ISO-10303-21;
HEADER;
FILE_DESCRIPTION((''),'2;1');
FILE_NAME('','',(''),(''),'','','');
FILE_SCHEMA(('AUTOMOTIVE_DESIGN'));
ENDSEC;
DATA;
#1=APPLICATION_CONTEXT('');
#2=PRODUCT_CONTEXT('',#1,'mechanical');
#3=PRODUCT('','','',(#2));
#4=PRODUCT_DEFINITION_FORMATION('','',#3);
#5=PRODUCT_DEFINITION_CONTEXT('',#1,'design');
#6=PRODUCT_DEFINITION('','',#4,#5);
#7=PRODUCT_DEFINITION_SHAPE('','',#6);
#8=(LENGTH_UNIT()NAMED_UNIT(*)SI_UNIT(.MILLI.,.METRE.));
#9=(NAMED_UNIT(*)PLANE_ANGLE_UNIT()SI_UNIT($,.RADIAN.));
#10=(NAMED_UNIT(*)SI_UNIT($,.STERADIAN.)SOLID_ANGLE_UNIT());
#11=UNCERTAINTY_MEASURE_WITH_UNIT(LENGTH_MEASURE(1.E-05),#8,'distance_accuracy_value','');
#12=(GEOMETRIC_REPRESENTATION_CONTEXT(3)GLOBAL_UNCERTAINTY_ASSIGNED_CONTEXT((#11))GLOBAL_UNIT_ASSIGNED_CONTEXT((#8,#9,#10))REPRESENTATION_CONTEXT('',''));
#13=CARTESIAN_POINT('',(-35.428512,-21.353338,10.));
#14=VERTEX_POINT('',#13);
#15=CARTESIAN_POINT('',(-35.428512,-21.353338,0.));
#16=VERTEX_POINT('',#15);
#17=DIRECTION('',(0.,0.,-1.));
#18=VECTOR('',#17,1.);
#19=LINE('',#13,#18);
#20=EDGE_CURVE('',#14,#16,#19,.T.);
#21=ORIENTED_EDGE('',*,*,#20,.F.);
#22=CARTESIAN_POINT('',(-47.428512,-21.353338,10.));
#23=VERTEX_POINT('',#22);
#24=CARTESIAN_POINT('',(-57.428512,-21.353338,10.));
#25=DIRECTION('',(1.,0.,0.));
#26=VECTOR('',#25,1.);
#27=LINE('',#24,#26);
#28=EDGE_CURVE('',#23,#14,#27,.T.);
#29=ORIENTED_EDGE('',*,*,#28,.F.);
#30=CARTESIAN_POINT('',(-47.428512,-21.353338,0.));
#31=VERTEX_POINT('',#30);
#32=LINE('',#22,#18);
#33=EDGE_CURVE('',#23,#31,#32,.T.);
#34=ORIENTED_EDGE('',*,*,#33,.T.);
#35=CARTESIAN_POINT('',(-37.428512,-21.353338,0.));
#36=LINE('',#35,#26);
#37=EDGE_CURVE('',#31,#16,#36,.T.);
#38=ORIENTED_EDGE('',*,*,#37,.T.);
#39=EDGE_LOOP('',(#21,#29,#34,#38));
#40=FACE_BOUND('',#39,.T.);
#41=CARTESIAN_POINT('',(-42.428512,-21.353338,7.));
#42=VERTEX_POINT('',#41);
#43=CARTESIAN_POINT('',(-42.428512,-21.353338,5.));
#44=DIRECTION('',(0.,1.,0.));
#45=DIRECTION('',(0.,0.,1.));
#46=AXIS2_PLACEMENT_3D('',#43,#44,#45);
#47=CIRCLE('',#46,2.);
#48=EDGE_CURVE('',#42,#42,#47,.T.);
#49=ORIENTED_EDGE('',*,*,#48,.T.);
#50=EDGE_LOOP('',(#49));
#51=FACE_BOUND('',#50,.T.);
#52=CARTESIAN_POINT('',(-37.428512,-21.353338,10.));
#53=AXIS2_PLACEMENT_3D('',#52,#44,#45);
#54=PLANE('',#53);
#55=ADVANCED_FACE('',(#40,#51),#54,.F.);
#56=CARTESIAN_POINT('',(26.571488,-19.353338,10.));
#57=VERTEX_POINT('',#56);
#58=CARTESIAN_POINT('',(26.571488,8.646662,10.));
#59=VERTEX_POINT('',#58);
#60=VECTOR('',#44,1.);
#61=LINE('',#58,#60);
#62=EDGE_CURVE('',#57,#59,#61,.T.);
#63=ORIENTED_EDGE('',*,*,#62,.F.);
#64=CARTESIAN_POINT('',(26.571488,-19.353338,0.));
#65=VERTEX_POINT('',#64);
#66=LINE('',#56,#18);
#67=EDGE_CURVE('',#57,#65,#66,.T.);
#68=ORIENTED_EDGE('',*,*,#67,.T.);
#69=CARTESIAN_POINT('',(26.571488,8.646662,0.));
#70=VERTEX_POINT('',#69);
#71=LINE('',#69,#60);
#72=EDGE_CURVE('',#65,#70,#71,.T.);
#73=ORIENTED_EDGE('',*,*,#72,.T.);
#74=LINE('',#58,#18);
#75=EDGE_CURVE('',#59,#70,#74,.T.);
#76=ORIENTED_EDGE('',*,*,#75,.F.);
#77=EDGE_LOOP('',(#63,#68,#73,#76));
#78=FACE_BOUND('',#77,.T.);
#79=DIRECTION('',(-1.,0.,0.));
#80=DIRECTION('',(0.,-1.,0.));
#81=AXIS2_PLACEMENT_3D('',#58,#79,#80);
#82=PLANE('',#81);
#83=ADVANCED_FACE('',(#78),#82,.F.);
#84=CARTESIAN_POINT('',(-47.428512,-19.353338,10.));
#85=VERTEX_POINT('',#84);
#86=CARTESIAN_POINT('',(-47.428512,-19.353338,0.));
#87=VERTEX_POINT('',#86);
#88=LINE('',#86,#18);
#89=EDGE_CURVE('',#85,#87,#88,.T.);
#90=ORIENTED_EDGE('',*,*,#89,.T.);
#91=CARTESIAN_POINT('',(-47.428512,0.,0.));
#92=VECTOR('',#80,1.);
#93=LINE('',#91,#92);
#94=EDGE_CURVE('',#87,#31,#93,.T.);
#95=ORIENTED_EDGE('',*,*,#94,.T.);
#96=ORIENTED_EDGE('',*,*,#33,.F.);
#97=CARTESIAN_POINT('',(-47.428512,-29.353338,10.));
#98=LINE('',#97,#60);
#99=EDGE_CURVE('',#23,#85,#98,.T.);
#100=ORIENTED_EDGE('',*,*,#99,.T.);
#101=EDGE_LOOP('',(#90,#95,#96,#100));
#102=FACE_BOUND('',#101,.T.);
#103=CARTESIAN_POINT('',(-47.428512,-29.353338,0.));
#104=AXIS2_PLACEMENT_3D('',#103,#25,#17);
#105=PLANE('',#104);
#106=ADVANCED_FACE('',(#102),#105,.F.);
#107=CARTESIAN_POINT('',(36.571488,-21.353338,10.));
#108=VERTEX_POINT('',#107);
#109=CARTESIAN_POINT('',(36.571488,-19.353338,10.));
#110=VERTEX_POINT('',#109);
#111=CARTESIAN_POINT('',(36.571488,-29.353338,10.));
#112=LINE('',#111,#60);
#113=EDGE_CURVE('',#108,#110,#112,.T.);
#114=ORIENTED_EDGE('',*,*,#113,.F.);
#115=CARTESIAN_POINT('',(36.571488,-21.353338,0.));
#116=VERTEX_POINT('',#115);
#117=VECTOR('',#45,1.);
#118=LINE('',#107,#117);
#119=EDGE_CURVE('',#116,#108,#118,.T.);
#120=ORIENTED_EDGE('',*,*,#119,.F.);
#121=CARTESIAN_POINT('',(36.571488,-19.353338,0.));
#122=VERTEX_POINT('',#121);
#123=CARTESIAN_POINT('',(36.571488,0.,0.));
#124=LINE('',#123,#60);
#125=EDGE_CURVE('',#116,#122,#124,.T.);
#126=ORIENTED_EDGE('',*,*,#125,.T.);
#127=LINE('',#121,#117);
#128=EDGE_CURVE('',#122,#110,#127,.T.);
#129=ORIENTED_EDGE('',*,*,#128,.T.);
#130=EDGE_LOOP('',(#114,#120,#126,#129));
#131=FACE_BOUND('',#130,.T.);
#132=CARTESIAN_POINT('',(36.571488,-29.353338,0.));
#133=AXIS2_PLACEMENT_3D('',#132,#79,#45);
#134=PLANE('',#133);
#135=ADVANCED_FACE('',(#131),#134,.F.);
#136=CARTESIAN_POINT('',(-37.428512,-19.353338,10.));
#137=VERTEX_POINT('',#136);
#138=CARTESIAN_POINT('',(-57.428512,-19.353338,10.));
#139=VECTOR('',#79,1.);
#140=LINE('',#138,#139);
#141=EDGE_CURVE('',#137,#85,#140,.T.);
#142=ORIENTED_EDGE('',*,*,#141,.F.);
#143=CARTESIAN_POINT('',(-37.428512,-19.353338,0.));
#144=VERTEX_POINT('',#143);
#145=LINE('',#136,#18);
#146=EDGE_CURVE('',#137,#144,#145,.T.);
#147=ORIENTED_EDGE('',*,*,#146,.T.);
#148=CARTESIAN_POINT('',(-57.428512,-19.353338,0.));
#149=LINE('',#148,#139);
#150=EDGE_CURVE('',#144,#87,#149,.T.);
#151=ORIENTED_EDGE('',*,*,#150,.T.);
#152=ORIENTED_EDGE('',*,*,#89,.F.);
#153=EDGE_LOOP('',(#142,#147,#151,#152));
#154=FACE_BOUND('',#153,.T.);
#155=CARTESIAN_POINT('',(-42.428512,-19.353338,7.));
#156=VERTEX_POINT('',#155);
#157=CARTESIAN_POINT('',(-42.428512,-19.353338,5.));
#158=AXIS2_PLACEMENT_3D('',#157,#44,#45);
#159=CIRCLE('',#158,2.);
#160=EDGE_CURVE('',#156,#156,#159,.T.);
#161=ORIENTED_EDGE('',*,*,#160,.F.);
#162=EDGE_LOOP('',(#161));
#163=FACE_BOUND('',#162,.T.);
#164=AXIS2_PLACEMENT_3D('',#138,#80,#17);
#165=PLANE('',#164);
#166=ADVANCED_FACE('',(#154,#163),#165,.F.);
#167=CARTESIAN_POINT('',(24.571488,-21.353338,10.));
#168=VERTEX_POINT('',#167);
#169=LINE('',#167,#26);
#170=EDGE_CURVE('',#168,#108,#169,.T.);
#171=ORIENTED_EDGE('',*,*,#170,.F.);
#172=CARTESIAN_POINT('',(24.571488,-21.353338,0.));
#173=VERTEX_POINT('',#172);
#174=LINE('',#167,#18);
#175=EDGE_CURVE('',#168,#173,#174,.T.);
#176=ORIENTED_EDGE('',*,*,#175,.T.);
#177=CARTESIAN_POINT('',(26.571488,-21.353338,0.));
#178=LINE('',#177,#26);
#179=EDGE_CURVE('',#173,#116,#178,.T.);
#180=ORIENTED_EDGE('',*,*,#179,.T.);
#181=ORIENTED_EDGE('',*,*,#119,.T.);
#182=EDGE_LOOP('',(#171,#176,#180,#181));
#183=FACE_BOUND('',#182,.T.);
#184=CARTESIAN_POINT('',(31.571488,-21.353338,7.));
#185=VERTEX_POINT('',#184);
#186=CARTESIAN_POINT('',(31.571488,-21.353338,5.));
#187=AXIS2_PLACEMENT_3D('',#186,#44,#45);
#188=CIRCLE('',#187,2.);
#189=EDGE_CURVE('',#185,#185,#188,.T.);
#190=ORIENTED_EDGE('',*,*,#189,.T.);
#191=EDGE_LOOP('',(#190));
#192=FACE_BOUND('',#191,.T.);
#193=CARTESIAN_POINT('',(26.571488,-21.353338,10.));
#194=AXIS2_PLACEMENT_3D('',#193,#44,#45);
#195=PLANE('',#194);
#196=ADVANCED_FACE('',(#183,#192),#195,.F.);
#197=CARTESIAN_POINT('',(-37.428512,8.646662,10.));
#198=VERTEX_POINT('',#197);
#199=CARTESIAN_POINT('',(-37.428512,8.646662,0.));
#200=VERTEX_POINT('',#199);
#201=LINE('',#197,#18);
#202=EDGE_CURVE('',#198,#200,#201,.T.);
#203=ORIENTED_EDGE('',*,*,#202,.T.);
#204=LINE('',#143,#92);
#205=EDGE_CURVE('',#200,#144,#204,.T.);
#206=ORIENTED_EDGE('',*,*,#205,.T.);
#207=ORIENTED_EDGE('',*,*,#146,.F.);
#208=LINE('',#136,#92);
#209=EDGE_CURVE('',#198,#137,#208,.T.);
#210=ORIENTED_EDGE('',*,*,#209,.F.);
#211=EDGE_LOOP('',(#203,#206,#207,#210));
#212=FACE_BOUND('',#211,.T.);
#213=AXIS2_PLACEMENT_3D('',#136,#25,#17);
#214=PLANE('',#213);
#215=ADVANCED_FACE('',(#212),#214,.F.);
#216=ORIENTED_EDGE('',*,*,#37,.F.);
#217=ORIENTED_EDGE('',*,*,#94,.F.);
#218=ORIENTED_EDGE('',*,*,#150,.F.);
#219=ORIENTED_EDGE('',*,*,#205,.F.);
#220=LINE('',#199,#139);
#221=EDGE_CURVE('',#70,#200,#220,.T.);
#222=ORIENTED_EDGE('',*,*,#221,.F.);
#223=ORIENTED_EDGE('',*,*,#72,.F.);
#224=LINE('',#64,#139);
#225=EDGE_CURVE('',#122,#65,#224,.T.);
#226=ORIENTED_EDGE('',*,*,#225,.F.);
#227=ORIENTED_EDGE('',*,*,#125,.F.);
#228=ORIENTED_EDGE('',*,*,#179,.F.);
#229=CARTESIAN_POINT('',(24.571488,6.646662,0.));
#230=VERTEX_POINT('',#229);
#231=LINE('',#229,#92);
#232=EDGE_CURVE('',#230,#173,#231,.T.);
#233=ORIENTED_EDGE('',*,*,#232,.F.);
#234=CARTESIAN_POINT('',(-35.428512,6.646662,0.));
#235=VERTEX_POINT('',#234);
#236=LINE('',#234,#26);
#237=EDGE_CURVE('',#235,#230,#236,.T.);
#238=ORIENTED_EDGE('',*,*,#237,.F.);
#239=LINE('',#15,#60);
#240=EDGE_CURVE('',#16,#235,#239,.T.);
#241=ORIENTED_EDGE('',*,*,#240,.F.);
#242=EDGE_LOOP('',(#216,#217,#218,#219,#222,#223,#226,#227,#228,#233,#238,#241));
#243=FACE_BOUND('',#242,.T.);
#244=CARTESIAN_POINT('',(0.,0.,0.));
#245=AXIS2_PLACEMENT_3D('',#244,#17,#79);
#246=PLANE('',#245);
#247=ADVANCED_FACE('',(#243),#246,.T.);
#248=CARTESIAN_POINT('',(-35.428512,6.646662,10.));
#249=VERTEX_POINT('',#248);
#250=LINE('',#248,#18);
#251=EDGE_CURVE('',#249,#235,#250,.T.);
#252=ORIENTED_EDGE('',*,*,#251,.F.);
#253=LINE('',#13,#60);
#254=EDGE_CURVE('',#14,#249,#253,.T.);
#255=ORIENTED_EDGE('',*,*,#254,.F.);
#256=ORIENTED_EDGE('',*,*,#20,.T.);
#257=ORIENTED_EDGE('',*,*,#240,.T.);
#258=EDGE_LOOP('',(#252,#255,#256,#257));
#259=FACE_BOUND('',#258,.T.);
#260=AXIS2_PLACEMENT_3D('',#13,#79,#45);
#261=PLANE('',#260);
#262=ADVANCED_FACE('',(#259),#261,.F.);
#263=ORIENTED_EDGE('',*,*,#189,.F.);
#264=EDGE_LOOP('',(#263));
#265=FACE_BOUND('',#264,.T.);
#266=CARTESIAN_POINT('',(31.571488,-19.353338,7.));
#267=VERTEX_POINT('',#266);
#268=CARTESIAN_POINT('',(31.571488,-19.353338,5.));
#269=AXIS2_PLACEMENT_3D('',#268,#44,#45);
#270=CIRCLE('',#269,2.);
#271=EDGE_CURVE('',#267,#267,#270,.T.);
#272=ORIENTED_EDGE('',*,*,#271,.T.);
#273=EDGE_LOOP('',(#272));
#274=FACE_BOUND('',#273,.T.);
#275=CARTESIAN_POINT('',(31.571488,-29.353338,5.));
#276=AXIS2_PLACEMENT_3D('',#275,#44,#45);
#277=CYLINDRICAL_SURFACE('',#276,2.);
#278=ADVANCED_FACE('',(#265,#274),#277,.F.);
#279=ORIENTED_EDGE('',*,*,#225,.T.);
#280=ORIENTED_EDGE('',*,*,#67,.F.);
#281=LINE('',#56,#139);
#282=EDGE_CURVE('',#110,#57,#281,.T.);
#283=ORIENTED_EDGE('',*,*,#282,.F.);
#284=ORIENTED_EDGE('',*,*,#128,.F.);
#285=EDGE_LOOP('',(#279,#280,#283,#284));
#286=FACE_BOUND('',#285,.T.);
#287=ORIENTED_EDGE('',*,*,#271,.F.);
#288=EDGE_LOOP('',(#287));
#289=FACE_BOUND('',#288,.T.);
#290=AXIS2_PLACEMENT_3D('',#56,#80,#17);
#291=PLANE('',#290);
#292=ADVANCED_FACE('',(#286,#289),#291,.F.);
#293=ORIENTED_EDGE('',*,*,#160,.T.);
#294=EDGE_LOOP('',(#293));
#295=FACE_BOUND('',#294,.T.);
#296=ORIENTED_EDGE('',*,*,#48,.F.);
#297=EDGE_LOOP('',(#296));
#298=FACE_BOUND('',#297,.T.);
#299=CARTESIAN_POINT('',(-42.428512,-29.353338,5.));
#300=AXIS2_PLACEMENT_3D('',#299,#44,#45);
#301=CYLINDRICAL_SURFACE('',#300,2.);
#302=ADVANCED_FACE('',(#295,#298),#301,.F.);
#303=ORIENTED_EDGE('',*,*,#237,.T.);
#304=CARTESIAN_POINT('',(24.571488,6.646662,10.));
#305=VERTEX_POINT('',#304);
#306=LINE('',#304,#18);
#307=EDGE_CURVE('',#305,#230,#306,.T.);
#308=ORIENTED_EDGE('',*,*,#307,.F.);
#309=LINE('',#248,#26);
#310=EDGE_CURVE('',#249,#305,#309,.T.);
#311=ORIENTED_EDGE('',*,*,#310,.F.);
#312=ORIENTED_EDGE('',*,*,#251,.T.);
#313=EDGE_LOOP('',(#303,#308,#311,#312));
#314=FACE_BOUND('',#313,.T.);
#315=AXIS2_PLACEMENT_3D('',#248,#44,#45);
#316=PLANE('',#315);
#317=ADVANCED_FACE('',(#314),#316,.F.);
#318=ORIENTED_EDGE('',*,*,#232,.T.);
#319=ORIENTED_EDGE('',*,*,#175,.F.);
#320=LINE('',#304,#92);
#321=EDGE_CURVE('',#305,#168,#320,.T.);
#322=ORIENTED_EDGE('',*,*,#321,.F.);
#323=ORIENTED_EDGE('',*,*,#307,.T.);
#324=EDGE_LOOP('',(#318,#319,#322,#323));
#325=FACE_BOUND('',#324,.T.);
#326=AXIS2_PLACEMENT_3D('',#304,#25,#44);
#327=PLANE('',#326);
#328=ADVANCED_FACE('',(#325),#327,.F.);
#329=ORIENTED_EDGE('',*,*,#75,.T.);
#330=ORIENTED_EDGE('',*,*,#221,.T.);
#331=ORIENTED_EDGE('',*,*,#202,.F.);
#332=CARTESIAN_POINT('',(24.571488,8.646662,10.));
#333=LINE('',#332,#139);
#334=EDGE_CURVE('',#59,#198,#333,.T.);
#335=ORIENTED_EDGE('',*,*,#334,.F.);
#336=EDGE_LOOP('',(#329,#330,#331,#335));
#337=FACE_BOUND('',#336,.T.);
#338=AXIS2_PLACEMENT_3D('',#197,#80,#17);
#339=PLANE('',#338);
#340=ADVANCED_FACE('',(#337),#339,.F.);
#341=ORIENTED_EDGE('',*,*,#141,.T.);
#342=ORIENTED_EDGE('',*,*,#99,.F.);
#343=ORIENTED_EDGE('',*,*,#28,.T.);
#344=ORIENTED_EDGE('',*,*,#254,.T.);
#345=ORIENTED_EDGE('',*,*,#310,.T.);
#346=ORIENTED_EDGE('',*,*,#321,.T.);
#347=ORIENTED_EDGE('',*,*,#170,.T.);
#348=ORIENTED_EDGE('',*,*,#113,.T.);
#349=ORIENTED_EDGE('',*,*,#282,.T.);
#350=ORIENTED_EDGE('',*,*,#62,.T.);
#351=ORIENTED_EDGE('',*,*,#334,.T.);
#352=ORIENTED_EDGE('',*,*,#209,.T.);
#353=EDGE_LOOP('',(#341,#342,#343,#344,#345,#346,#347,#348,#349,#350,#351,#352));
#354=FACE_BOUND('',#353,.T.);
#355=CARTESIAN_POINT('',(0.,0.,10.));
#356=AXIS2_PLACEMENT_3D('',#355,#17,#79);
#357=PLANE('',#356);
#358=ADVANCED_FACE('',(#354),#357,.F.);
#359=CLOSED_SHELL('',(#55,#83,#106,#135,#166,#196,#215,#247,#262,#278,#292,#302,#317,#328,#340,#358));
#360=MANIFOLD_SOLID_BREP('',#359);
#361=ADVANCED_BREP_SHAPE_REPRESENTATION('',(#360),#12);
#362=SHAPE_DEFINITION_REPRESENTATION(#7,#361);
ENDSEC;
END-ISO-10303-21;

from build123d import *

# Parameters (mm, degrees)
BOSS_EXTRUDE1_DEPTH = 10
SKETCH2_R           = 2
CUT_EXTRUDE2_DEPTH  = 10
SKETCH3_W           = 10
SKETCH3_H           = 10
CUT_EXTRUDE3_DEPTH  = 10


with BuildPart() as part:
    # Sketch1 → Boss-Extrude1 (new body)
    with BuildSketch(Plane.XY):
        Polygon((-57.4285121, -21.353337692), (-37.4285121, -21.353337692), (-35.4285121, -21.353337692), (-35.4285121, 6.646662308), (24.5714879, 6.646662308), (24.5714879, -21.353337692), (26.5714879, -21.353337692), (46.5714879, -21.353337692), (46.5714879, -19.353337692), (26.5714879, -19.353337692), (26.5714879, 8.646662308), (24.5714879, 8.646662308), (-35.4285121, 8.646662308), (-37.4285121, 8.646662308), (-37.4285121, -19.353337692), (-57.4285121, -19.353337692), align=None)
    extrude(amount=BOSS_EXTRUDE1_DEPTH)

    # Sketch2 → Cut-Extrude2 (cut)
    with BuildSketch(Plane(origin=(0, -19.353337692, 0), x_dir=(1, 0, 0), z_dir=(0, 1, 0))):
        with Locations((-42.4285121, -5)):
            Circle(SKETCH2_R)
        with Locations((31.5714879, -5)):
            Circle(SKETCH2_R)
    extrude(amount=-CUT_EXTRUDE2_DEPTH, mode=Mode.SUBTRACT)

    # Sketch3 → Cut-Extrude3 (cut)
    with BuildSketch(Plane(origin=(0, -19.353337692, 0), x_dir=(1, 0, 0), z_dir=(0, 1, 0))):
        with Locations((-52.4285121, -5)):
            Rectangle(SKETCH3_W, SKETCH3_H)
        with Locations((41.5714879, -5)):
            Rectangle(SKETCH3_W, SKETCH3_H)
    extrude(amount=-CUT_EXTRUDE3_DEPTH, mode=Mode.SUBTRACT)


solid = part.part
